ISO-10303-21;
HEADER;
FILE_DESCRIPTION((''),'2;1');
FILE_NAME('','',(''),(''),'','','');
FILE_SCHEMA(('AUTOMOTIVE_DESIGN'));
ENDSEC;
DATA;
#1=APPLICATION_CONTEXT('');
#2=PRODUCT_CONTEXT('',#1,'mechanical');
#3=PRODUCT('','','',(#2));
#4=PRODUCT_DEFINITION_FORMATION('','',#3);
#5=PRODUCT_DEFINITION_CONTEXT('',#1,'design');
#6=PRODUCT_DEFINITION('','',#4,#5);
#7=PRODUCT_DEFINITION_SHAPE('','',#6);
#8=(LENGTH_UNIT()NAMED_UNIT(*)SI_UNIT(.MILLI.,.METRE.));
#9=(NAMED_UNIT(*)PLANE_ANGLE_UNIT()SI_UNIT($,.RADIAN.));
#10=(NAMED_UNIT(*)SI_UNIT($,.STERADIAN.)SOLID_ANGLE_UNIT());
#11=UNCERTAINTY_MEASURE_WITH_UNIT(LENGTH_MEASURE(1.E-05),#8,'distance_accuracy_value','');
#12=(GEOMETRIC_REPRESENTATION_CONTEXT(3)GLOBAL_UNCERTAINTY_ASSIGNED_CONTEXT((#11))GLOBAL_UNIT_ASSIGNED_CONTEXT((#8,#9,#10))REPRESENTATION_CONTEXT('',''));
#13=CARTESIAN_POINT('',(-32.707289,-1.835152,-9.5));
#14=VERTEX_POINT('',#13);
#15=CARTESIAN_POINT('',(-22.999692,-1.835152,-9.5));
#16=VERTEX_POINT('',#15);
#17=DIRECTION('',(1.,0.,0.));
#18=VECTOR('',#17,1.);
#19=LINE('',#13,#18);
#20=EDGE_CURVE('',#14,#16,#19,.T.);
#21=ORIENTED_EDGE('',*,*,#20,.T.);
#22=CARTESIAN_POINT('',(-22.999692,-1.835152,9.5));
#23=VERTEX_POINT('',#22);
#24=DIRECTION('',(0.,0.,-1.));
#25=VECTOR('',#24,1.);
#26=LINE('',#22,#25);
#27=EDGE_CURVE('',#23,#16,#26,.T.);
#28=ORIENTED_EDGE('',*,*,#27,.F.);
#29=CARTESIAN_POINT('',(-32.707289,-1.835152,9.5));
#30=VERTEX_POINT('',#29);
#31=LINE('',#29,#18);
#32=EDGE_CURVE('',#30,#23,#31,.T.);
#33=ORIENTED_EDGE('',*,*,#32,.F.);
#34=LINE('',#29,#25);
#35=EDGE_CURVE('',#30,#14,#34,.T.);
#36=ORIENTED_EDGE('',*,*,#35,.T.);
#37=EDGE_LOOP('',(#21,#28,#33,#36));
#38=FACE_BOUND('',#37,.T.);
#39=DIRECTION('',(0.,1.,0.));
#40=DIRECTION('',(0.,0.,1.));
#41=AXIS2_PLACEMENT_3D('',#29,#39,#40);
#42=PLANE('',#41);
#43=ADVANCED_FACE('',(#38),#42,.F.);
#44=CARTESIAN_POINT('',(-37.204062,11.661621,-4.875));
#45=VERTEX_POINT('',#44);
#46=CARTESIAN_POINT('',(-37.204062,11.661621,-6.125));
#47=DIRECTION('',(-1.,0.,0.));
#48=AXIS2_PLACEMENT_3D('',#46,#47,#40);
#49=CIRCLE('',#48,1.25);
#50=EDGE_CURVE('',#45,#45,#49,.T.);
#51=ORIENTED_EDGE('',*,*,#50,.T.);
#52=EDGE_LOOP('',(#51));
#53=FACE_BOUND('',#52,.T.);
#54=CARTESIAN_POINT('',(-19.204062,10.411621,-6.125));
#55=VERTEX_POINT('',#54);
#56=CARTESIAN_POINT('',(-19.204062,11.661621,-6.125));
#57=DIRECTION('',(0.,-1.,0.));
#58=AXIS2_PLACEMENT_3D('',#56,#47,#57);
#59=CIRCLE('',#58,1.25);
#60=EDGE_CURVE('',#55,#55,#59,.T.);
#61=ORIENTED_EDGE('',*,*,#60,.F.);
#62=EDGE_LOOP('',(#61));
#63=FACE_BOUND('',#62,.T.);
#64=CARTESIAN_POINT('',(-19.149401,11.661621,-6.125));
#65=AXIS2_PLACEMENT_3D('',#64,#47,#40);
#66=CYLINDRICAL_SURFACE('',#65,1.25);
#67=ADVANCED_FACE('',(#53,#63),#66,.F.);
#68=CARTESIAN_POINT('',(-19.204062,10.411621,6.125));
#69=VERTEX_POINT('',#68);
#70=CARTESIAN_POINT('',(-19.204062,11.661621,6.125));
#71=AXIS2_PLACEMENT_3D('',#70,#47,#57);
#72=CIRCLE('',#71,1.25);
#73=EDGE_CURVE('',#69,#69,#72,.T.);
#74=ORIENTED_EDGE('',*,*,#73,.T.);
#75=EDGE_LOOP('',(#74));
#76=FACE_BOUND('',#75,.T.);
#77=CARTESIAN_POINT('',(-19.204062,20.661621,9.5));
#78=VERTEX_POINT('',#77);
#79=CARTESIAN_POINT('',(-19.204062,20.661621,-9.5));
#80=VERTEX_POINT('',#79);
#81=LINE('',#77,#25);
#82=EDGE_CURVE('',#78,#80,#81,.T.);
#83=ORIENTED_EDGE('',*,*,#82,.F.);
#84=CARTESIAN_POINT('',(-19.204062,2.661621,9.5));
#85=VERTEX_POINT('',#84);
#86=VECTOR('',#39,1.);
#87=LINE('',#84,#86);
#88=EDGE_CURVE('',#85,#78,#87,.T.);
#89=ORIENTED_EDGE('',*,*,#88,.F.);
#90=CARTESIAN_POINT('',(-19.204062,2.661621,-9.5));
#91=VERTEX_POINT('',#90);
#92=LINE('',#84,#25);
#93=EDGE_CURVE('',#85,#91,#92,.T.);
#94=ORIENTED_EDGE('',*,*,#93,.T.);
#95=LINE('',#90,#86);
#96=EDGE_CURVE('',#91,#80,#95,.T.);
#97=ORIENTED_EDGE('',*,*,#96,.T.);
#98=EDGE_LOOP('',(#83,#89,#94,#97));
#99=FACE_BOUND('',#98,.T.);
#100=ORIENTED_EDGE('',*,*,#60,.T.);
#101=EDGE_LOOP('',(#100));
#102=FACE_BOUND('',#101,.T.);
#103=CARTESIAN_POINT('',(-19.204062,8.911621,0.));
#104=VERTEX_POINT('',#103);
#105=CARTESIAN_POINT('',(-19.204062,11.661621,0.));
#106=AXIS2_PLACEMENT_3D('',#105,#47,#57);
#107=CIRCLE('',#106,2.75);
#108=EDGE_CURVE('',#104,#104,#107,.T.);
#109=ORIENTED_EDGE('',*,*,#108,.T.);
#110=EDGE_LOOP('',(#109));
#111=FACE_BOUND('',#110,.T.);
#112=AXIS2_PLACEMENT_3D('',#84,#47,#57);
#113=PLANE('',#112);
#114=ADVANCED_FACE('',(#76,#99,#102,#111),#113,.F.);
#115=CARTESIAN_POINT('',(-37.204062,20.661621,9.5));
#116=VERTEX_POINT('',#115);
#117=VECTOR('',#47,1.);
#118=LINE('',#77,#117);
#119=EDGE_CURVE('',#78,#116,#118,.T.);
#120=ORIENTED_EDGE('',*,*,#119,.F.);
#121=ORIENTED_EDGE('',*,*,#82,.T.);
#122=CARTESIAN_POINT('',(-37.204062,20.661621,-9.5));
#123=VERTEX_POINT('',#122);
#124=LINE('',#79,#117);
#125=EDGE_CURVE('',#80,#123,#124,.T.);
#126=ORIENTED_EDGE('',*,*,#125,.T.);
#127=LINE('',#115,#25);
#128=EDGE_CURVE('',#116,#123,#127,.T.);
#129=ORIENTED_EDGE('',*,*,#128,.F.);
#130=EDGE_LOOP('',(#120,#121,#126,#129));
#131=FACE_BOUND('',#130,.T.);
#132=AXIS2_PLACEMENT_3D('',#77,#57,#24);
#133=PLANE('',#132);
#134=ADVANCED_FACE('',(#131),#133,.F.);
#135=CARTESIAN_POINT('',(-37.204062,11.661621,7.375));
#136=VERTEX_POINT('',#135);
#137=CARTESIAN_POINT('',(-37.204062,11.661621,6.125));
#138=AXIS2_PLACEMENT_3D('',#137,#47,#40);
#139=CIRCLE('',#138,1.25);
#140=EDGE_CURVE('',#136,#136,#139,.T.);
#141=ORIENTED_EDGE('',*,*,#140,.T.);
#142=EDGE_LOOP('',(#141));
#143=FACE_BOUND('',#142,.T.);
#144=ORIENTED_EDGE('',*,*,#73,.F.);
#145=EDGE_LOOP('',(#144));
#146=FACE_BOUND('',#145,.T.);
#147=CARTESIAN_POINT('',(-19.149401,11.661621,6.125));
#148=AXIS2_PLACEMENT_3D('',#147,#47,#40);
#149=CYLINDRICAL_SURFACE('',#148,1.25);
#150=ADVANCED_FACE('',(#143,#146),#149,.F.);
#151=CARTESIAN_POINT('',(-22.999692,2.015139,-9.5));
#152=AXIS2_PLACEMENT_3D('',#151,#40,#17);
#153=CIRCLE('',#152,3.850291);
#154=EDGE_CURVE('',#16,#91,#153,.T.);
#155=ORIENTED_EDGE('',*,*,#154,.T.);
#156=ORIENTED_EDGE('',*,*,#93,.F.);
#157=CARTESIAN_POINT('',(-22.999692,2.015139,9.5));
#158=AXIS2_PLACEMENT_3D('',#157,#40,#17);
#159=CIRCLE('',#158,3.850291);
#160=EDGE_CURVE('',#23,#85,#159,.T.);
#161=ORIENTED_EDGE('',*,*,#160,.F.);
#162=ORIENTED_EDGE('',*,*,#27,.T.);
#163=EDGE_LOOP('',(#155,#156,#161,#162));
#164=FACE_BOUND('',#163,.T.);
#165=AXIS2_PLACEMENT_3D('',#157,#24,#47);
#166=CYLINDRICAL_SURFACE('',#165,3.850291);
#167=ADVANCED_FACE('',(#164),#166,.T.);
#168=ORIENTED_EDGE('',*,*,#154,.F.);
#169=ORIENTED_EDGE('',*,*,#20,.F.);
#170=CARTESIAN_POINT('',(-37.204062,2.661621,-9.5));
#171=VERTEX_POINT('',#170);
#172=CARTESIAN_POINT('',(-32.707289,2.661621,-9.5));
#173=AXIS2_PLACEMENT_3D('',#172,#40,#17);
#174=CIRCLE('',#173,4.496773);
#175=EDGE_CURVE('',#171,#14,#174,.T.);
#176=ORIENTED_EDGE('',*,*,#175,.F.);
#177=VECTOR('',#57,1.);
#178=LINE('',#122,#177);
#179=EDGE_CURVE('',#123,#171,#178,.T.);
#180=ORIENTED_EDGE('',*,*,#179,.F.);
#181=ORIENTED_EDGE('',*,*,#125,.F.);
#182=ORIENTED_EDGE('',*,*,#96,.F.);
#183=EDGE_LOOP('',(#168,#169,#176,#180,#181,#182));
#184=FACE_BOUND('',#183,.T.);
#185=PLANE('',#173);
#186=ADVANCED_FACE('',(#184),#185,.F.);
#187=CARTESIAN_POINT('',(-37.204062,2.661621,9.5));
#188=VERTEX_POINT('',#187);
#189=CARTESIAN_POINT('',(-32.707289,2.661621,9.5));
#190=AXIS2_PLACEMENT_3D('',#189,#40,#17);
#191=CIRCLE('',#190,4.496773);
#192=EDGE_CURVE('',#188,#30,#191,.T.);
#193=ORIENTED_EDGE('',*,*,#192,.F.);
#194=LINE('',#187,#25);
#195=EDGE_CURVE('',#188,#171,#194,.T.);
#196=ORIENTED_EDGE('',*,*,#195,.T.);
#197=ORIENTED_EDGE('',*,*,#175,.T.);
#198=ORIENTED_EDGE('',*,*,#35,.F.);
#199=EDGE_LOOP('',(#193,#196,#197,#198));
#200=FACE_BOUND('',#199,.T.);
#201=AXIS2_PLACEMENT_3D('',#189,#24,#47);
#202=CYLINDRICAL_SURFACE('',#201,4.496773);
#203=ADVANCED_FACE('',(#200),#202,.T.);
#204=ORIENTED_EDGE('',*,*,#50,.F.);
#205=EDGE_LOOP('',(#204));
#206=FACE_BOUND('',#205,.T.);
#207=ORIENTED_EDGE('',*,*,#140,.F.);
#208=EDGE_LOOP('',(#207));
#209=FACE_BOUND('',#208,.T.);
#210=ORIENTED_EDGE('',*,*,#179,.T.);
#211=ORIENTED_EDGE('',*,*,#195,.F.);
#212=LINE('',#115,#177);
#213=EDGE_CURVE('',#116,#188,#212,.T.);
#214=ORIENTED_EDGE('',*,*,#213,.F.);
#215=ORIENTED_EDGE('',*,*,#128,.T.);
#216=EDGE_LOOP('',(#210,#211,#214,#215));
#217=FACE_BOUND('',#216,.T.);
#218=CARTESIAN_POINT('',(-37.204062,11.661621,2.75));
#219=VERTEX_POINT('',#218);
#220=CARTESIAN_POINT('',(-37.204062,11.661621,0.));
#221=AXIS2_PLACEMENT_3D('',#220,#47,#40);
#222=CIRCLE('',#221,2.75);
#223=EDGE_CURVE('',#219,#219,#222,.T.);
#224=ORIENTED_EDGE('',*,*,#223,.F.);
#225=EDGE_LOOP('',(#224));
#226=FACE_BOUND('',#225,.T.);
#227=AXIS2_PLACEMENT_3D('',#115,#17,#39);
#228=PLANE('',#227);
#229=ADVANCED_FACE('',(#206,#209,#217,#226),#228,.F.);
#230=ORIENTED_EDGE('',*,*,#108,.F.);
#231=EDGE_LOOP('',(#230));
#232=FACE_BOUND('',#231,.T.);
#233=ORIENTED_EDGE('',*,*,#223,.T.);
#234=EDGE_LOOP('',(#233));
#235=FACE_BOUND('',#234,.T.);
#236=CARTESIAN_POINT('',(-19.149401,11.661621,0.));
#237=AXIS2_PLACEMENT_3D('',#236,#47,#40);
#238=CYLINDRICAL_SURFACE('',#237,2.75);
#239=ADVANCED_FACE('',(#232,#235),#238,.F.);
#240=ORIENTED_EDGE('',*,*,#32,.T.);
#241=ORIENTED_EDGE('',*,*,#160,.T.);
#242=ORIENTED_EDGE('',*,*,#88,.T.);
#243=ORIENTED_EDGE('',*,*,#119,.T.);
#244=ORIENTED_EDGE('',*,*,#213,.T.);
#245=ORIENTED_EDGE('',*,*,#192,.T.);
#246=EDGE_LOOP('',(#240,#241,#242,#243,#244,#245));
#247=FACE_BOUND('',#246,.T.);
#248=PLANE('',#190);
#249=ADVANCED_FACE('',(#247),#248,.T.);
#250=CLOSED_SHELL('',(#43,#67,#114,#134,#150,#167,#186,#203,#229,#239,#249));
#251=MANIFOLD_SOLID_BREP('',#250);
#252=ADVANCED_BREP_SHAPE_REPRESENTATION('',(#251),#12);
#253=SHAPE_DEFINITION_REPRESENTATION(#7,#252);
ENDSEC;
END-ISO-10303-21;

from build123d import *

# Parameters (mm, degrees)
BOSS_EXTRUDE1_DEPTH = 9.5
SKETCH3_R           = 2.75
SKETCH3_R_2         = 1.25
CUT_EXTRUDE1_DEPTH  = 19.054661658


with BuildPart() as part:
    # Sketch2 → Boss-Extrude1 (new body, symmetric)
    with BuildSketch(Plane.XY):
        with BuildLine():
            Line((-37.204062484, 20.661621188), (-37.204062484, 2.661621188))
            ThreePointArc((-37.204062484, 2.661621188), (-35.886988122, -0.518077598), (-32.707289335, -1.83515196))
            Line((-32.707289335, -1.83515196), (-22.999692171, -1.83515196))
            ThreePointArc((-22.999692171, -1.83515196), (-20.057423766, -0.468366217), (-19.204062484, 2.661621188))
            Line((-19.204062484, 2.661621188), (-19.204062484, 20.661621188))
            Line((-19.204062484, 20.661621188), (-37.204062484, 20.661621188))
        make_face()
    extrude(amount=BOSS_EXTRUDE1_DEPTH, both=True)

    # Sketch3 → Cut-Extrude1 (cut, through all)
    with BuildSketch(Plane.ZY.offset(37.204062484)):
        with Locations((0, 11.661621188)):
            Circle(SKETCH3_R)
        with Locations((6.125, 11.661621188)):
            Circle(SKETCH3_R_2)
        with Locations((-6.125, 11.661621188)):
            Circle(SKETCH3_R_2)
    extrude(amount=-CUT_EXTRUDE1_DEPTH, mode=Mode.SUBTRACT)


solid = part.part
